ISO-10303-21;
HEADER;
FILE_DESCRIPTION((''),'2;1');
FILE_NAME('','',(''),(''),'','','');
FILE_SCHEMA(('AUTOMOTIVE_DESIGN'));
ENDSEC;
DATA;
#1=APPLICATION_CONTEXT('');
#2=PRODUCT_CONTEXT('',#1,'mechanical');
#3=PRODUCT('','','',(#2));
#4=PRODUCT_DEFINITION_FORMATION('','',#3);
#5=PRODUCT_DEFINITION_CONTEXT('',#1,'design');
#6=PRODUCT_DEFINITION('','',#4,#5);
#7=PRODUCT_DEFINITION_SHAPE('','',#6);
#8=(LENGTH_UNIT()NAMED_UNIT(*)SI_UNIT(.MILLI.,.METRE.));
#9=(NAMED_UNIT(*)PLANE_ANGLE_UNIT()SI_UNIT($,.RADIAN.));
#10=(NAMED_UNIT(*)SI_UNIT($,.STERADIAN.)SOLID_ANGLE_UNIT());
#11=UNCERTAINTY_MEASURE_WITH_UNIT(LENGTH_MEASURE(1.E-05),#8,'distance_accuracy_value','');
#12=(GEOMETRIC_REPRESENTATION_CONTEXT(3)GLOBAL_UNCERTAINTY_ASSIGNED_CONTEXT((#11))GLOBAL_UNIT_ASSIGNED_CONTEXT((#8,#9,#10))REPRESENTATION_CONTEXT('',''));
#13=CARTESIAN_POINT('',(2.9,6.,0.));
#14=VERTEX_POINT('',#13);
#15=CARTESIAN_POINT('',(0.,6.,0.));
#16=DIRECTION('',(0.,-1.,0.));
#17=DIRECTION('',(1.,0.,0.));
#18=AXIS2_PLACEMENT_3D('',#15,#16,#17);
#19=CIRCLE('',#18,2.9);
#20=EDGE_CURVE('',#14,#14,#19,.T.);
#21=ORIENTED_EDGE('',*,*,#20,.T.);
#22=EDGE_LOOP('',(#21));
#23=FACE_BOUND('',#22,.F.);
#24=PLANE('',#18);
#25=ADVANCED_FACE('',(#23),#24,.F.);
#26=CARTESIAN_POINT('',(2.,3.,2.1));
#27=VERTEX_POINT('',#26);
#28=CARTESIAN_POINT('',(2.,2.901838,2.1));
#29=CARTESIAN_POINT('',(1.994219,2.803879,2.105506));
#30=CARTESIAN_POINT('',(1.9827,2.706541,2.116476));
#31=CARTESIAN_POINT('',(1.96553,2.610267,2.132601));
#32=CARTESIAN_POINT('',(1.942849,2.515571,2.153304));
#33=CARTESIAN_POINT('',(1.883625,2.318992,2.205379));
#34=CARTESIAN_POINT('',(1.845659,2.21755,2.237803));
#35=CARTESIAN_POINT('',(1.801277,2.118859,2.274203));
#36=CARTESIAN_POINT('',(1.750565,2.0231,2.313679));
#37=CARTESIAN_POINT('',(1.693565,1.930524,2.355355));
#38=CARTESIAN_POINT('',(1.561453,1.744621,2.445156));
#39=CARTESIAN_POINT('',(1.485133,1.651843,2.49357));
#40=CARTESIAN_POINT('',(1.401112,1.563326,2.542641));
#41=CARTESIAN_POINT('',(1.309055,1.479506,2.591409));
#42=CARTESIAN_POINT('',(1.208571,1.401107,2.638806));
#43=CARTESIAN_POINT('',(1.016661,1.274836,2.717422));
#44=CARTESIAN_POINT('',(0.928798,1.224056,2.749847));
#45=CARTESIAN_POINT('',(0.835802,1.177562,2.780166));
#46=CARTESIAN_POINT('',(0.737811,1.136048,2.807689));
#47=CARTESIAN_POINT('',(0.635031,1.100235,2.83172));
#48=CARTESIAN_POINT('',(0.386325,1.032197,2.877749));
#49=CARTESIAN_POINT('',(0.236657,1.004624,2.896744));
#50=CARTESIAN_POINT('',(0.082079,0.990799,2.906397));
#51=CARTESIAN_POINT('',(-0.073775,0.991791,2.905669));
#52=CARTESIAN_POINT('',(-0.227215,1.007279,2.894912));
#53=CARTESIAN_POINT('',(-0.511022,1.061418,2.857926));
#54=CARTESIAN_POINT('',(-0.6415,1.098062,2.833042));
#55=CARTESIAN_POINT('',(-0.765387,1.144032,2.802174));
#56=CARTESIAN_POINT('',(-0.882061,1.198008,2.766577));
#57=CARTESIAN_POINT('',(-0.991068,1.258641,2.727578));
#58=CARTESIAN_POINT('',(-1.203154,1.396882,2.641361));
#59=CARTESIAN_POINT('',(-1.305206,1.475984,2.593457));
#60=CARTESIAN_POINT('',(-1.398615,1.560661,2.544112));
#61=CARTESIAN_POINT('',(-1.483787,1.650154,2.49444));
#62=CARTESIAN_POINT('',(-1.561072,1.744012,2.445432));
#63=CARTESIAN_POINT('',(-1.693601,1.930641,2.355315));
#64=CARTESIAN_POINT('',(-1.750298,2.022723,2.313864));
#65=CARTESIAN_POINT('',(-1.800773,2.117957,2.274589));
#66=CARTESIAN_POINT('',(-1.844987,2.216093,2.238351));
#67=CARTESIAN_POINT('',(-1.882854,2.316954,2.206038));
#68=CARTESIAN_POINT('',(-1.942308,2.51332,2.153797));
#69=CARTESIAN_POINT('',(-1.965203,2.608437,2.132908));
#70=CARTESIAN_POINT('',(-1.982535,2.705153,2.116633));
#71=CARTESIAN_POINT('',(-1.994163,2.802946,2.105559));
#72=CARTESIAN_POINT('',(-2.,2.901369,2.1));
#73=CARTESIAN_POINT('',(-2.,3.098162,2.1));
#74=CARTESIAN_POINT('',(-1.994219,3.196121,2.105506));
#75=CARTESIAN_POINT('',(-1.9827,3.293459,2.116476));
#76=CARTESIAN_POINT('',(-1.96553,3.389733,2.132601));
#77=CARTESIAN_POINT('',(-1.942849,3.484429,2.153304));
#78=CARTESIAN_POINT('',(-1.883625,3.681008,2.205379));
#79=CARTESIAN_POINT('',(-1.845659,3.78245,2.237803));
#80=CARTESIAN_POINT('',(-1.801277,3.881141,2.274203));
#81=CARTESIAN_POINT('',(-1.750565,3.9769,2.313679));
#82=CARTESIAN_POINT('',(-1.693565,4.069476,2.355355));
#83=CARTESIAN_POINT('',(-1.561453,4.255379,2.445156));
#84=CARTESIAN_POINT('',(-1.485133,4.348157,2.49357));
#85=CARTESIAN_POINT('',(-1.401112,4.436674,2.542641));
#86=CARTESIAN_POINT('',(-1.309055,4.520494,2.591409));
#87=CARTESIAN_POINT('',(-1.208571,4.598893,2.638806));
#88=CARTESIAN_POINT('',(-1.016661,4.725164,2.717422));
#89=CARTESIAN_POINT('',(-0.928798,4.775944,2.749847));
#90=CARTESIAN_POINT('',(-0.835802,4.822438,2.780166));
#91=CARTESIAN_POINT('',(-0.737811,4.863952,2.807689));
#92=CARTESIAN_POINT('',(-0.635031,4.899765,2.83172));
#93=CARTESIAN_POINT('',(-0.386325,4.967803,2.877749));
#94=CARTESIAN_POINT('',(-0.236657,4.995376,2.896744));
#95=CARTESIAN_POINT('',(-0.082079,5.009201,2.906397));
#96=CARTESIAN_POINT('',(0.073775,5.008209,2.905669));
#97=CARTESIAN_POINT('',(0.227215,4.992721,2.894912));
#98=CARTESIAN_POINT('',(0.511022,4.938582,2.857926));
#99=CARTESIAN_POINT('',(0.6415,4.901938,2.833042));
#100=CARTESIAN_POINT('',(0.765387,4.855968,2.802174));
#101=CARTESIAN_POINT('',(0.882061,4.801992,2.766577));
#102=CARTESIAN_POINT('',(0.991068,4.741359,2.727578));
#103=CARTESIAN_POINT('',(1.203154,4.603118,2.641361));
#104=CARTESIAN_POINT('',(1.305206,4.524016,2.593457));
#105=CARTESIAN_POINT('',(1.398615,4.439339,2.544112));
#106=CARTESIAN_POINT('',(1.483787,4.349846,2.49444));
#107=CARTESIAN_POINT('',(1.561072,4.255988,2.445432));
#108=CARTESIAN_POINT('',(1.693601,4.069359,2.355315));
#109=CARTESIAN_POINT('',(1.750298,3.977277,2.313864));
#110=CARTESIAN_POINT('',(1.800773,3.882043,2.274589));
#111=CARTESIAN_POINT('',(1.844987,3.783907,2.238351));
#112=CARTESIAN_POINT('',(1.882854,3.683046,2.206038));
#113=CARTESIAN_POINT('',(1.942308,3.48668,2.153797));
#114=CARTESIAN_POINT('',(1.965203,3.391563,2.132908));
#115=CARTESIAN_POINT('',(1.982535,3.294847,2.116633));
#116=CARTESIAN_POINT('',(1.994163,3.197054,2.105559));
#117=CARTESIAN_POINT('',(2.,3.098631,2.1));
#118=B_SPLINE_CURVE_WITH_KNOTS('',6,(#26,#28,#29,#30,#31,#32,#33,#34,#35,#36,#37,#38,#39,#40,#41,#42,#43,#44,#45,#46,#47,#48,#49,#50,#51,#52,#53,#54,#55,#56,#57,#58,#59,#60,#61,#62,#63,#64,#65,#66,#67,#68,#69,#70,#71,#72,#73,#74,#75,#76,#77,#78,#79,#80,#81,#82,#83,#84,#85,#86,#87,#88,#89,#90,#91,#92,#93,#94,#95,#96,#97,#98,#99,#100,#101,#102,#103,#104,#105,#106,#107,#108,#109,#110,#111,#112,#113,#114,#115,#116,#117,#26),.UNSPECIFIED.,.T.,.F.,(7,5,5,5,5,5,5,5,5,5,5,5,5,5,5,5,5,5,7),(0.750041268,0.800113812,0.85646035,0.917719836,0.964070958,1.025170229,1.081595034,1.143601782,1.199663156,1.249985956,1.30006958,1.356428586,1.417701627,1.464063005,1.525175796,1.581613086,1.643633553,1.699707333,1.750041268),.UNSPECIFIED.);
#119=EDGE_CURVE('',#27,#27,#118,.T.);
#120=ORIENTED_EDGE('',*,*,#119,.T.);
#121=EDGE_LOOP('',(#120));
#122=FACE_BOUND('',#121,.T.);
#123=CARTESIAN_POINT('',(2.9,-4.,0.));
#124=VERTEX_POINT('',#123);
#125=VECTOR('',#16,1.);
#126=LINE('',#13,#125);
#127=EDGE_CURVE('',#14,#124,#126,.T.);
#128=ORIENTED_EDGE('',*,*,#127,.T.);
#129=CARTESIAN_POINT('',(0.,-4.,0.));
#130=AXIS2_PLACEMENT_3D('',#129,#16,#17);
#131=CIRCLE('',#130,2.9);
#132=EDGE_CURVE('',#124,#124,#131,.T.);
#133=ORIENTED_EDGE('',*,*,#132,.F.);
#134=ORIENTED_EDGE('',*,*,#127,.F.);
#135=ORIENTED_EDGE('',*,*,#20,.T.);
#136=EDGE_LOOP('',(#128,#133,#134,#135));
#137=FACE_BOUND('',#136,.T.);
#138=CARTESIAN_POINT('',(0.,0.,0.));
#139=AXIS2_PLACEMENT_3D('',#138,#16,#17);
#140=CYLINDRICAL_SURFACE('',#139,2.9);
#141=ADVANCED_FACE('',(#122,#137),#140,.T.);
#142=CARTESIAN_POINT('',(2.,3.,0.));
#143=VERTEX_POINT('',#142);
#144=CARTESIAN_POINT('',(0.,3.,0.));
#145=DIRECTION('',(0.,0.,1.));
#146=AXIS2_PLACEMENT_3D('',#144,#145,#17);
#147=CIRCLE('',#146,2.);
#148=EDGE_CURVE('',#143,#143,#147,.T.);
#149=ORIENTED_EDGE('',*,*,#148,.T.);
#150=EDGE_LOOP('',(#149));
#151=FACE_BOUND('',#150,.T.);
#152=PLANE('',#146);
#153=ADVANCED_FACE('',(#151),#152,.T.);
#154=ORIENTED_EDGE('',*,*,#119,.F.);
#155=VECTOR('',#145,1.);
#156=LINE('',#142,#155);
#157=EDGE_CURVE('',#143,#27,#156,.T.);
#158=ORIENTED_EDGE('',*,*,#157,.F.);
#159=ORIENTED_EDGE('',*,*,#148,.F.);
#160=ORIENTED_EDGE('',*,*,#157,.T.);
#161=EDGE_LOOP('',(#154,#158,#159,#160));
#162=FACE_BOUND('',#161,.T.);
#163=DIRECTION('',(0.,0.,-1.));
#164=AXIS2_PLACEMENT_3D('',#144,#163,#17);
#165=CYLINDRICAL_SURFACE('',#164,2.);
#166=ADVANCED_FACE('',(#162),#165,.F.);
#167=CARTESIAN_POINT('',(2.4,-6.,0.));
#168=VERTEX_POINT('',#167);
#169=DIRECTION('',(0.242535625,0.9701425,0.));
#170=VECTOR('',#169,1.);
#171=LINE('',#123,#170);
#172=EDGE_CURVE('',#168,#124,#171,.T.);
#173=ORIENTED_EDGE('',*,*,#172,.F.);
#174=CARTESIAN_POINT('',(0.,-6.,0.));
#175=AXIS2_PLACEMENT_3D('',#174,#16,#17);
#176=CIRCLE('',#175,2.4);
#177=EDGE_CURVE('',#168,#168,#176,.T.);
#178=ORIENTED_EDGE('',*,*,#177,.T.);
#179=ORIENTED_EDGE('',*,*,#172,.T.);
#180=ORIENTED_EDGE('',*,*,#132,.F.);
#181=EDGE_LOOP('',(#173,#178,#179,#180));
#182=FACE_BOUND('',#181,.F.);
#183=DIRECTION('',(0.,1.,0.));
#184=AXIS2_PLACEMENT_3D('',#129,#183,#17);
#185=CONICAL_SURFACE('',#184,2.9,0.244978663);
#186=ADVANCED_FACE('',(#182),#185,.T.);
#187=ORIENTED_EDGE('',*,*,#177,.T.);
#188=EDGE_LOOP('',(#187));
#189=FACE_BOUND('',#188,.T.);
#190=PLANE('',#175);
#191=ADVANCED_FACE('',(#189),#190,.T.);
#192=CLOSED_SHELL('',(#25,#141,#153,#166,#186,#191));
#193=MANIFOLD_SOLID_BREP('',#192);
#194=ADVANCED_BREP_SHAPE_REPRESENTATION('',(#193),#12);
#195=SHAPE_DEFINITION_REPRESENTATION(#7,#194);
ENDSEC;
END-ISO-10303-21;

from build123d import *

# Parameters (mm, degrees)
F0_R     = 2.9
F1_DEPTH = 6
F2_R     = 2
F3_DEPTH = 2.9
F4_SIZE2 = 2
F4_SIZE  = 0.5


with BuildPart() as f1:
    # F0 (on Front) → F1 (new body, symmetric)
    with BuildSketch(Plane.XZ):
        Circle(F0_R)
    extrude(amount=F1_DEPTH, both=True)

    # F2 (on Top) → F3 (cut, through all)
    with BuildSketch(Plane.XY):
        with Locations((0, 3)):
            Circle(F2_R)
    extrude(amount=F3_DEPTH, mode=Mode.SUBTRACT)

    # F4
    f4_edges = [f1.edges().sort_by_distance(p)[0] for p in [
        (-2.9, -6, 0),
    ]]
    f4_side = f1.faces().sort_by_distance((0, -6, 0))[0]
    chamfer(f4_edges, length=F4_SIZE, length2=F4_SIZE2, reference=f4_side)


solid = f1.part
